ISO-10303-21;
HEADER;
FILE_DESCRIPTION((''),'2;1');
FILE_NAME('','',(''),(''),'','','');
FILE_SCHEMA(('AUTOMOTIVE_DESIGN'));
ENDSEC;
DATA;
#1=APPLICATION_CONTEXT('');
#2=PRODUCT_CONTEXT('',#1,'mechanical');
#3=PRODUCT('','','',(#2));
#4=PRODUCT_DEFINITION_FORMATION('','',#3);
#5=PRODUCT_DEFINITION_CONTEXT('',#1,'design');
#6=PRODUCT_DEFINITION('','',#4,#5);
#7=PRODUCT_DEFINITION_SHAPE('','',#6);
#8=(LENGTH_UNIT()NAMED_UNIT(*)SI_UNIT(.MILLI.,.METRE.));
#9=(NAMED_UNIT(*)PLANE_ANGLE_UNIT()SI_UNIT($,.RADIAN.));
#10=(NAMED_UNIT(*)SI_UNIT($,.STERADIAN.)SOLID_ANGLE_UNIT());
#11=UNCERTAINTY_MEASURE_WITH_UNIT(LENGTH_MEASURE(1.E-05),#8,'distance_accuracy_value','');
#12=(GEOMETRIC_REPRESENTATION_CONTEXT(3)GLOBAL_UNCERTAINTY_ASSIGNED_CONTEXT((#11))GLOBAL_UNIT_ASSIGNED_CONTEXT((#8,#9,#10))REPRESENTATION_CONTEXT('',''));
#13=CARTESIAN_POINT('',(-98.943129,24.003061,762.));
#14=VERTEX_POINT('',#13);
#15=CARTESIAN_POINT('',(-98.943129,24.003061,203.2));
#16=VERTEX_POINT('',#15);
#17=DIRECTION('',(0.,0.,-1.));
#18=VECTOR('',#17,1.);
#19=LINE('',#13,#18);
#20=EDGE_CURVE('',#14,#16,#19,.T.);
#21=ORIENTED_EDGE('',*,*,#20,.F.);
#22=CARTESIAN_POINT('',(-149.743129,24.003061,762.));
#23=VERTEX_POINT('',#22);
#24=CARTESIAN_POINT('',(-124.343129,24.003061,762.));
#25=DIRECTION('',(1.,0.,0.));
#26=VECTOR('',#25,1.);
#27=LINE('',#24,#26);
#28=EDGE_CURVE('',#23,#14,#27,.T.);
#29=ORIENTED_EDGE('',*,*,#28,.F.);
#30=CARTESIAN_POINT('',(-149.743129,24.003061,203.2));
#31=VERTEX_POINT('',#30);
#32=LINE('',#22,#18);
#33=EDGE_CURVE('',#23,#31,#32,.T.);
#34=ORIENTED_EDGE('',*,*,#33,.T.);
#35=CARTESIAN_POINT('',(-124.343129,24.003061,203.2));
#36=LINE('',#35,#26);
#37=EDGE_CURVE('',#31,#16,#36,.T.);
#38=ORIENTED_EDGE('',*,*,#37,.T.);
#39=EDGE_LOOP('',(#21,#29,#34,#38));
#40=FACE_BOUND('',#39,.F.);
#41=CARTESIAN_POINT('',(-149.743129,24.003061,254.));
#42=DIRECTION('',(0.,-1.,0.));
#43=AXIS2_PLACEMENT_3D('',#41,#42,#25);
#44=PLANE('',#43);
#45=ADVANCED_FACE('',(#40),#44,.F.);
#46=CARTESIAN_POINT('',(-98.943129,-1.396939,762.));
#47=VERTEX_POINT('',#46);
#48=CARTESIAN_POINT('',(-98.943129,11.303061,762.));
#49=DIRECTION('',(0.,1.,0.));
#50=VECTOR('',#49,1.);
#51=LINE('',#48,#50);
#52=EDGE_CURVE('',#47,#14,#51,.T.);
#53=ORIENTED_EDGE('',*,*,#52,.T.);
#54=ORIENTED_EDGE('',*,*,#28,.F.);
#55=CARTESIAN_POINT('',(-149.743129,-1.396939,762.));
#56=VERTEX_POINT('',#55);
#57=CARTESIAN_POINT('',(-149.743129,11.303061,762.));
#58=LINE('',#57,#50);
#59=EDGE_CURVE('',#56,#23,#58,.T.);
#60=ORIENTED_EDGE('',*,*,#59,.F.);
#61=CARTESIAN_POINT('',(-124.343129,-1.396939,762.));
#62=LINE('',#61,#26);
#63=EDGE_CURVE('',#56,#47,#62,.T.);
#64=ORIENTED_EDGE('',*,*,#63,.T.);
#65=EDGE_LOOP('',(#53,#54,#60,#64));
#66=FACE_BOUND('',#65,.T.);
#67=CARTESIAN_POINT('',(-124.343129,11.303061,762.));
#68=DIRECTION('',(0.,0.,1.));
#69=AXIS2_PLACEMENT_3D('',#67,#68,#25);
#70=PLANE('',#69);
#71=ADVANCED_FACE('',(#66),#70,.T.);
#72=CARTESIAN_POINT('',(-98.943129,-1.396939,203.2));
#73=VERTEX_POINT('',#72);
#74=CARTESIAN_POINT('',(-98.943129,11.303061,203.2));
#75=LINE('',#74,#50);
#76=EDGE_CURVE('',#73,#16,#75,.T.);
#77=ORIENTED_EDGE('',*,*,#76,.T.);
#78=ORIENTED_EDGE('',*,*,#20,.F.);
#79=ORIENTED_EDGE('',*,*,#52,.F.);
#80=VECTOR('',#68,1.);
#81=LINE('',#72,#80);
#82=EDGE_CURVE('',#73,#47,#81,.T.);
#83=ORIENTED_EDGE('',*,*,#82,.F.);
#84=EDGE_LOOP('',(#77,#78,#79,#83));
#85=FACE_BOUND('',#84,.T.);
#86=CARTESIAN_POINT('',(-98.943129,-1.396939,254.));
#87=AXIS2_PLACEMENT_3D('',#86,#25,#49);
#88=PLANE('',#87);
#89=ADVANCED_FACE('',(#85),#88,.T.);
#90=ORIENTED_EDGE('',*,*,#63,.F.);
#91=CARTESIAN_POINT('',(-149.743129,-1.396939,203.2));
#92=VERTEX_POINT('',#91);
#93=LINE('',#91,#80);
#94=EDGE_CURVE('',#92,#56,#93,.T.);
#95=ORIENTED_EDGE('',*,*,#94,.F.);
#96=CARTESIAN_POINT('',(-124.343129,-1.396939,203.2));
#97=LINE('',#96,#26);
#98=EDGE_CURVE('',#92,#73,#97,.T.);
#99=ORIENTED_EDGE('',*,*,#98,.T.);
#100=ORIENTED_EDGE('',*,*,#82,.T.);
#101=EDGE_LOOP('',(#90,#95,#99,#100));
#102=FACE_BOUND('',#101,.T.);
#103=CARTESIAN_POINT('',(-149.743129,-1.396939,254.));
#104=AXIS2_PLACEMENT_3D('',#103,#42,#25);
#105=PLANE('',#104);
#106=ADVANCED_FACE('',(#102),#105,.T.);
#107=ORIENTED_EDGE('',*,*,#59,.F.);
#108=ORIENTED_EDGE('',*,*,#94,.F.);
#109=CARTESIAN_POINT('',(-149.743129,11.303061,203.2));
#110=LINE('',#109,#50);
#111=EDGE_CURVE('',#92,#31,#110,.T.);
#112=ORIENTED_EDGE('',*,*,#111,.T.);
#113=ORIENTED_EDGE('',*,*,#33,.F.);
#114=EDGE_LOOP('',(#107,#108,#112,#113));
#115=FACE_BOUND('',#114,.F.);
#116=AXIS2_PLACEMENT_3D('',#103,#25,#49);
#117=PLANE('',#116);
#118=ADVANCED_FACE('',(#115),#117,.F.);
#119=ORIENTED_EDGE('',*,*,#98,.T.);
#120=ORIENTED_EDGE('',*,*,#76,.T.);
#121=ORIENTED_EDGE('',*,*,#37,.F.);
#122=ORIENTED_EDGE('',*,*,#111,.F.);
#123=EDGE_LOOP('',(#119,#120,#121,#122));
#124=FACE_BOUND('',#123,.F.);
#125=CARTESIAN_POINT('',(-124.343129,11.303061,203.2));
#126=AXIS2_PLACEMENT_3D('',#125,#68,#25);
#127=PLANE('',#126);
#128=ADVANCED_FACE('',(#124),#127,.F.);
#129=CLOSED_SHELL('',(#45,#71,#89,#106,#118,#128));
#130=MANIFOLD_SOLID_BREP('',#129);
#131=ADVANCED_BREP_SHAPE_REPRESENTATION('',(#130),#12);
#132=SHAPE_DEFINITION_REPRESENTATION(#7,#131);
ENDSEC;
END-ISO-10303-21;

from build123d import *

# Parameters (mm, degrees)
F0_W     = 50.8
F0_H     = 25.4
F1_DEPTH = 762
F2_DEPTH = 25.4
F3_DEPTH = 127
F4_DEPTH = 101.6
F5_DEPTH = 50.8


with BuildPart() as f1:
    # F0 (on Top) → F1 (new body)
    with BuildSketch(Plane.XY):
        with Locations((-124.3431291819, 11.3030608416)):
            Rectangle(F0_W, F0_H)
    extrude(amount=F1_DEPTH)

    # F2 (cut): a face of the model
    f2_faces = [f1.faces().sort_by_distance(p)[0] for p in [
        (-124.3431291819, 11.3030608416, 0),
    ]]
    extrude(f2_faces, amount=-F2_DEPTH, mode=Mode.SUBTRACT)

    # F3 (cut): a face of the model
    f3_faces = [f1.faces().sort_by_distance(p)[0] for p in [
        (-124.3431291819, 11.3030608416, 25.4),
    ]]
    extrude(f3_faces, amount=-F3_DEPTH, mode=Mode.SUBTRACT)

    # F4 (cut): a face of the model
    f4_faces = [f1.faces().sort_by_distance(p)[0] for p in [
        (-124.3431291819, 11.3030608416, 152.4),
    ]]
    extrude(f4_faces, amount=-F4_DEPTH, mode=Mode.SUBTRACT)

    # F5 (add): a face of the model
    f5_faces = [f1.faces().sort_by_distance(p)[0] for p in [
        (-124.3431291819, 11.3030608416, 254),
    ]]
    extrude(f5_faces, amount=F5_DEPTH)


solid = f1.part
